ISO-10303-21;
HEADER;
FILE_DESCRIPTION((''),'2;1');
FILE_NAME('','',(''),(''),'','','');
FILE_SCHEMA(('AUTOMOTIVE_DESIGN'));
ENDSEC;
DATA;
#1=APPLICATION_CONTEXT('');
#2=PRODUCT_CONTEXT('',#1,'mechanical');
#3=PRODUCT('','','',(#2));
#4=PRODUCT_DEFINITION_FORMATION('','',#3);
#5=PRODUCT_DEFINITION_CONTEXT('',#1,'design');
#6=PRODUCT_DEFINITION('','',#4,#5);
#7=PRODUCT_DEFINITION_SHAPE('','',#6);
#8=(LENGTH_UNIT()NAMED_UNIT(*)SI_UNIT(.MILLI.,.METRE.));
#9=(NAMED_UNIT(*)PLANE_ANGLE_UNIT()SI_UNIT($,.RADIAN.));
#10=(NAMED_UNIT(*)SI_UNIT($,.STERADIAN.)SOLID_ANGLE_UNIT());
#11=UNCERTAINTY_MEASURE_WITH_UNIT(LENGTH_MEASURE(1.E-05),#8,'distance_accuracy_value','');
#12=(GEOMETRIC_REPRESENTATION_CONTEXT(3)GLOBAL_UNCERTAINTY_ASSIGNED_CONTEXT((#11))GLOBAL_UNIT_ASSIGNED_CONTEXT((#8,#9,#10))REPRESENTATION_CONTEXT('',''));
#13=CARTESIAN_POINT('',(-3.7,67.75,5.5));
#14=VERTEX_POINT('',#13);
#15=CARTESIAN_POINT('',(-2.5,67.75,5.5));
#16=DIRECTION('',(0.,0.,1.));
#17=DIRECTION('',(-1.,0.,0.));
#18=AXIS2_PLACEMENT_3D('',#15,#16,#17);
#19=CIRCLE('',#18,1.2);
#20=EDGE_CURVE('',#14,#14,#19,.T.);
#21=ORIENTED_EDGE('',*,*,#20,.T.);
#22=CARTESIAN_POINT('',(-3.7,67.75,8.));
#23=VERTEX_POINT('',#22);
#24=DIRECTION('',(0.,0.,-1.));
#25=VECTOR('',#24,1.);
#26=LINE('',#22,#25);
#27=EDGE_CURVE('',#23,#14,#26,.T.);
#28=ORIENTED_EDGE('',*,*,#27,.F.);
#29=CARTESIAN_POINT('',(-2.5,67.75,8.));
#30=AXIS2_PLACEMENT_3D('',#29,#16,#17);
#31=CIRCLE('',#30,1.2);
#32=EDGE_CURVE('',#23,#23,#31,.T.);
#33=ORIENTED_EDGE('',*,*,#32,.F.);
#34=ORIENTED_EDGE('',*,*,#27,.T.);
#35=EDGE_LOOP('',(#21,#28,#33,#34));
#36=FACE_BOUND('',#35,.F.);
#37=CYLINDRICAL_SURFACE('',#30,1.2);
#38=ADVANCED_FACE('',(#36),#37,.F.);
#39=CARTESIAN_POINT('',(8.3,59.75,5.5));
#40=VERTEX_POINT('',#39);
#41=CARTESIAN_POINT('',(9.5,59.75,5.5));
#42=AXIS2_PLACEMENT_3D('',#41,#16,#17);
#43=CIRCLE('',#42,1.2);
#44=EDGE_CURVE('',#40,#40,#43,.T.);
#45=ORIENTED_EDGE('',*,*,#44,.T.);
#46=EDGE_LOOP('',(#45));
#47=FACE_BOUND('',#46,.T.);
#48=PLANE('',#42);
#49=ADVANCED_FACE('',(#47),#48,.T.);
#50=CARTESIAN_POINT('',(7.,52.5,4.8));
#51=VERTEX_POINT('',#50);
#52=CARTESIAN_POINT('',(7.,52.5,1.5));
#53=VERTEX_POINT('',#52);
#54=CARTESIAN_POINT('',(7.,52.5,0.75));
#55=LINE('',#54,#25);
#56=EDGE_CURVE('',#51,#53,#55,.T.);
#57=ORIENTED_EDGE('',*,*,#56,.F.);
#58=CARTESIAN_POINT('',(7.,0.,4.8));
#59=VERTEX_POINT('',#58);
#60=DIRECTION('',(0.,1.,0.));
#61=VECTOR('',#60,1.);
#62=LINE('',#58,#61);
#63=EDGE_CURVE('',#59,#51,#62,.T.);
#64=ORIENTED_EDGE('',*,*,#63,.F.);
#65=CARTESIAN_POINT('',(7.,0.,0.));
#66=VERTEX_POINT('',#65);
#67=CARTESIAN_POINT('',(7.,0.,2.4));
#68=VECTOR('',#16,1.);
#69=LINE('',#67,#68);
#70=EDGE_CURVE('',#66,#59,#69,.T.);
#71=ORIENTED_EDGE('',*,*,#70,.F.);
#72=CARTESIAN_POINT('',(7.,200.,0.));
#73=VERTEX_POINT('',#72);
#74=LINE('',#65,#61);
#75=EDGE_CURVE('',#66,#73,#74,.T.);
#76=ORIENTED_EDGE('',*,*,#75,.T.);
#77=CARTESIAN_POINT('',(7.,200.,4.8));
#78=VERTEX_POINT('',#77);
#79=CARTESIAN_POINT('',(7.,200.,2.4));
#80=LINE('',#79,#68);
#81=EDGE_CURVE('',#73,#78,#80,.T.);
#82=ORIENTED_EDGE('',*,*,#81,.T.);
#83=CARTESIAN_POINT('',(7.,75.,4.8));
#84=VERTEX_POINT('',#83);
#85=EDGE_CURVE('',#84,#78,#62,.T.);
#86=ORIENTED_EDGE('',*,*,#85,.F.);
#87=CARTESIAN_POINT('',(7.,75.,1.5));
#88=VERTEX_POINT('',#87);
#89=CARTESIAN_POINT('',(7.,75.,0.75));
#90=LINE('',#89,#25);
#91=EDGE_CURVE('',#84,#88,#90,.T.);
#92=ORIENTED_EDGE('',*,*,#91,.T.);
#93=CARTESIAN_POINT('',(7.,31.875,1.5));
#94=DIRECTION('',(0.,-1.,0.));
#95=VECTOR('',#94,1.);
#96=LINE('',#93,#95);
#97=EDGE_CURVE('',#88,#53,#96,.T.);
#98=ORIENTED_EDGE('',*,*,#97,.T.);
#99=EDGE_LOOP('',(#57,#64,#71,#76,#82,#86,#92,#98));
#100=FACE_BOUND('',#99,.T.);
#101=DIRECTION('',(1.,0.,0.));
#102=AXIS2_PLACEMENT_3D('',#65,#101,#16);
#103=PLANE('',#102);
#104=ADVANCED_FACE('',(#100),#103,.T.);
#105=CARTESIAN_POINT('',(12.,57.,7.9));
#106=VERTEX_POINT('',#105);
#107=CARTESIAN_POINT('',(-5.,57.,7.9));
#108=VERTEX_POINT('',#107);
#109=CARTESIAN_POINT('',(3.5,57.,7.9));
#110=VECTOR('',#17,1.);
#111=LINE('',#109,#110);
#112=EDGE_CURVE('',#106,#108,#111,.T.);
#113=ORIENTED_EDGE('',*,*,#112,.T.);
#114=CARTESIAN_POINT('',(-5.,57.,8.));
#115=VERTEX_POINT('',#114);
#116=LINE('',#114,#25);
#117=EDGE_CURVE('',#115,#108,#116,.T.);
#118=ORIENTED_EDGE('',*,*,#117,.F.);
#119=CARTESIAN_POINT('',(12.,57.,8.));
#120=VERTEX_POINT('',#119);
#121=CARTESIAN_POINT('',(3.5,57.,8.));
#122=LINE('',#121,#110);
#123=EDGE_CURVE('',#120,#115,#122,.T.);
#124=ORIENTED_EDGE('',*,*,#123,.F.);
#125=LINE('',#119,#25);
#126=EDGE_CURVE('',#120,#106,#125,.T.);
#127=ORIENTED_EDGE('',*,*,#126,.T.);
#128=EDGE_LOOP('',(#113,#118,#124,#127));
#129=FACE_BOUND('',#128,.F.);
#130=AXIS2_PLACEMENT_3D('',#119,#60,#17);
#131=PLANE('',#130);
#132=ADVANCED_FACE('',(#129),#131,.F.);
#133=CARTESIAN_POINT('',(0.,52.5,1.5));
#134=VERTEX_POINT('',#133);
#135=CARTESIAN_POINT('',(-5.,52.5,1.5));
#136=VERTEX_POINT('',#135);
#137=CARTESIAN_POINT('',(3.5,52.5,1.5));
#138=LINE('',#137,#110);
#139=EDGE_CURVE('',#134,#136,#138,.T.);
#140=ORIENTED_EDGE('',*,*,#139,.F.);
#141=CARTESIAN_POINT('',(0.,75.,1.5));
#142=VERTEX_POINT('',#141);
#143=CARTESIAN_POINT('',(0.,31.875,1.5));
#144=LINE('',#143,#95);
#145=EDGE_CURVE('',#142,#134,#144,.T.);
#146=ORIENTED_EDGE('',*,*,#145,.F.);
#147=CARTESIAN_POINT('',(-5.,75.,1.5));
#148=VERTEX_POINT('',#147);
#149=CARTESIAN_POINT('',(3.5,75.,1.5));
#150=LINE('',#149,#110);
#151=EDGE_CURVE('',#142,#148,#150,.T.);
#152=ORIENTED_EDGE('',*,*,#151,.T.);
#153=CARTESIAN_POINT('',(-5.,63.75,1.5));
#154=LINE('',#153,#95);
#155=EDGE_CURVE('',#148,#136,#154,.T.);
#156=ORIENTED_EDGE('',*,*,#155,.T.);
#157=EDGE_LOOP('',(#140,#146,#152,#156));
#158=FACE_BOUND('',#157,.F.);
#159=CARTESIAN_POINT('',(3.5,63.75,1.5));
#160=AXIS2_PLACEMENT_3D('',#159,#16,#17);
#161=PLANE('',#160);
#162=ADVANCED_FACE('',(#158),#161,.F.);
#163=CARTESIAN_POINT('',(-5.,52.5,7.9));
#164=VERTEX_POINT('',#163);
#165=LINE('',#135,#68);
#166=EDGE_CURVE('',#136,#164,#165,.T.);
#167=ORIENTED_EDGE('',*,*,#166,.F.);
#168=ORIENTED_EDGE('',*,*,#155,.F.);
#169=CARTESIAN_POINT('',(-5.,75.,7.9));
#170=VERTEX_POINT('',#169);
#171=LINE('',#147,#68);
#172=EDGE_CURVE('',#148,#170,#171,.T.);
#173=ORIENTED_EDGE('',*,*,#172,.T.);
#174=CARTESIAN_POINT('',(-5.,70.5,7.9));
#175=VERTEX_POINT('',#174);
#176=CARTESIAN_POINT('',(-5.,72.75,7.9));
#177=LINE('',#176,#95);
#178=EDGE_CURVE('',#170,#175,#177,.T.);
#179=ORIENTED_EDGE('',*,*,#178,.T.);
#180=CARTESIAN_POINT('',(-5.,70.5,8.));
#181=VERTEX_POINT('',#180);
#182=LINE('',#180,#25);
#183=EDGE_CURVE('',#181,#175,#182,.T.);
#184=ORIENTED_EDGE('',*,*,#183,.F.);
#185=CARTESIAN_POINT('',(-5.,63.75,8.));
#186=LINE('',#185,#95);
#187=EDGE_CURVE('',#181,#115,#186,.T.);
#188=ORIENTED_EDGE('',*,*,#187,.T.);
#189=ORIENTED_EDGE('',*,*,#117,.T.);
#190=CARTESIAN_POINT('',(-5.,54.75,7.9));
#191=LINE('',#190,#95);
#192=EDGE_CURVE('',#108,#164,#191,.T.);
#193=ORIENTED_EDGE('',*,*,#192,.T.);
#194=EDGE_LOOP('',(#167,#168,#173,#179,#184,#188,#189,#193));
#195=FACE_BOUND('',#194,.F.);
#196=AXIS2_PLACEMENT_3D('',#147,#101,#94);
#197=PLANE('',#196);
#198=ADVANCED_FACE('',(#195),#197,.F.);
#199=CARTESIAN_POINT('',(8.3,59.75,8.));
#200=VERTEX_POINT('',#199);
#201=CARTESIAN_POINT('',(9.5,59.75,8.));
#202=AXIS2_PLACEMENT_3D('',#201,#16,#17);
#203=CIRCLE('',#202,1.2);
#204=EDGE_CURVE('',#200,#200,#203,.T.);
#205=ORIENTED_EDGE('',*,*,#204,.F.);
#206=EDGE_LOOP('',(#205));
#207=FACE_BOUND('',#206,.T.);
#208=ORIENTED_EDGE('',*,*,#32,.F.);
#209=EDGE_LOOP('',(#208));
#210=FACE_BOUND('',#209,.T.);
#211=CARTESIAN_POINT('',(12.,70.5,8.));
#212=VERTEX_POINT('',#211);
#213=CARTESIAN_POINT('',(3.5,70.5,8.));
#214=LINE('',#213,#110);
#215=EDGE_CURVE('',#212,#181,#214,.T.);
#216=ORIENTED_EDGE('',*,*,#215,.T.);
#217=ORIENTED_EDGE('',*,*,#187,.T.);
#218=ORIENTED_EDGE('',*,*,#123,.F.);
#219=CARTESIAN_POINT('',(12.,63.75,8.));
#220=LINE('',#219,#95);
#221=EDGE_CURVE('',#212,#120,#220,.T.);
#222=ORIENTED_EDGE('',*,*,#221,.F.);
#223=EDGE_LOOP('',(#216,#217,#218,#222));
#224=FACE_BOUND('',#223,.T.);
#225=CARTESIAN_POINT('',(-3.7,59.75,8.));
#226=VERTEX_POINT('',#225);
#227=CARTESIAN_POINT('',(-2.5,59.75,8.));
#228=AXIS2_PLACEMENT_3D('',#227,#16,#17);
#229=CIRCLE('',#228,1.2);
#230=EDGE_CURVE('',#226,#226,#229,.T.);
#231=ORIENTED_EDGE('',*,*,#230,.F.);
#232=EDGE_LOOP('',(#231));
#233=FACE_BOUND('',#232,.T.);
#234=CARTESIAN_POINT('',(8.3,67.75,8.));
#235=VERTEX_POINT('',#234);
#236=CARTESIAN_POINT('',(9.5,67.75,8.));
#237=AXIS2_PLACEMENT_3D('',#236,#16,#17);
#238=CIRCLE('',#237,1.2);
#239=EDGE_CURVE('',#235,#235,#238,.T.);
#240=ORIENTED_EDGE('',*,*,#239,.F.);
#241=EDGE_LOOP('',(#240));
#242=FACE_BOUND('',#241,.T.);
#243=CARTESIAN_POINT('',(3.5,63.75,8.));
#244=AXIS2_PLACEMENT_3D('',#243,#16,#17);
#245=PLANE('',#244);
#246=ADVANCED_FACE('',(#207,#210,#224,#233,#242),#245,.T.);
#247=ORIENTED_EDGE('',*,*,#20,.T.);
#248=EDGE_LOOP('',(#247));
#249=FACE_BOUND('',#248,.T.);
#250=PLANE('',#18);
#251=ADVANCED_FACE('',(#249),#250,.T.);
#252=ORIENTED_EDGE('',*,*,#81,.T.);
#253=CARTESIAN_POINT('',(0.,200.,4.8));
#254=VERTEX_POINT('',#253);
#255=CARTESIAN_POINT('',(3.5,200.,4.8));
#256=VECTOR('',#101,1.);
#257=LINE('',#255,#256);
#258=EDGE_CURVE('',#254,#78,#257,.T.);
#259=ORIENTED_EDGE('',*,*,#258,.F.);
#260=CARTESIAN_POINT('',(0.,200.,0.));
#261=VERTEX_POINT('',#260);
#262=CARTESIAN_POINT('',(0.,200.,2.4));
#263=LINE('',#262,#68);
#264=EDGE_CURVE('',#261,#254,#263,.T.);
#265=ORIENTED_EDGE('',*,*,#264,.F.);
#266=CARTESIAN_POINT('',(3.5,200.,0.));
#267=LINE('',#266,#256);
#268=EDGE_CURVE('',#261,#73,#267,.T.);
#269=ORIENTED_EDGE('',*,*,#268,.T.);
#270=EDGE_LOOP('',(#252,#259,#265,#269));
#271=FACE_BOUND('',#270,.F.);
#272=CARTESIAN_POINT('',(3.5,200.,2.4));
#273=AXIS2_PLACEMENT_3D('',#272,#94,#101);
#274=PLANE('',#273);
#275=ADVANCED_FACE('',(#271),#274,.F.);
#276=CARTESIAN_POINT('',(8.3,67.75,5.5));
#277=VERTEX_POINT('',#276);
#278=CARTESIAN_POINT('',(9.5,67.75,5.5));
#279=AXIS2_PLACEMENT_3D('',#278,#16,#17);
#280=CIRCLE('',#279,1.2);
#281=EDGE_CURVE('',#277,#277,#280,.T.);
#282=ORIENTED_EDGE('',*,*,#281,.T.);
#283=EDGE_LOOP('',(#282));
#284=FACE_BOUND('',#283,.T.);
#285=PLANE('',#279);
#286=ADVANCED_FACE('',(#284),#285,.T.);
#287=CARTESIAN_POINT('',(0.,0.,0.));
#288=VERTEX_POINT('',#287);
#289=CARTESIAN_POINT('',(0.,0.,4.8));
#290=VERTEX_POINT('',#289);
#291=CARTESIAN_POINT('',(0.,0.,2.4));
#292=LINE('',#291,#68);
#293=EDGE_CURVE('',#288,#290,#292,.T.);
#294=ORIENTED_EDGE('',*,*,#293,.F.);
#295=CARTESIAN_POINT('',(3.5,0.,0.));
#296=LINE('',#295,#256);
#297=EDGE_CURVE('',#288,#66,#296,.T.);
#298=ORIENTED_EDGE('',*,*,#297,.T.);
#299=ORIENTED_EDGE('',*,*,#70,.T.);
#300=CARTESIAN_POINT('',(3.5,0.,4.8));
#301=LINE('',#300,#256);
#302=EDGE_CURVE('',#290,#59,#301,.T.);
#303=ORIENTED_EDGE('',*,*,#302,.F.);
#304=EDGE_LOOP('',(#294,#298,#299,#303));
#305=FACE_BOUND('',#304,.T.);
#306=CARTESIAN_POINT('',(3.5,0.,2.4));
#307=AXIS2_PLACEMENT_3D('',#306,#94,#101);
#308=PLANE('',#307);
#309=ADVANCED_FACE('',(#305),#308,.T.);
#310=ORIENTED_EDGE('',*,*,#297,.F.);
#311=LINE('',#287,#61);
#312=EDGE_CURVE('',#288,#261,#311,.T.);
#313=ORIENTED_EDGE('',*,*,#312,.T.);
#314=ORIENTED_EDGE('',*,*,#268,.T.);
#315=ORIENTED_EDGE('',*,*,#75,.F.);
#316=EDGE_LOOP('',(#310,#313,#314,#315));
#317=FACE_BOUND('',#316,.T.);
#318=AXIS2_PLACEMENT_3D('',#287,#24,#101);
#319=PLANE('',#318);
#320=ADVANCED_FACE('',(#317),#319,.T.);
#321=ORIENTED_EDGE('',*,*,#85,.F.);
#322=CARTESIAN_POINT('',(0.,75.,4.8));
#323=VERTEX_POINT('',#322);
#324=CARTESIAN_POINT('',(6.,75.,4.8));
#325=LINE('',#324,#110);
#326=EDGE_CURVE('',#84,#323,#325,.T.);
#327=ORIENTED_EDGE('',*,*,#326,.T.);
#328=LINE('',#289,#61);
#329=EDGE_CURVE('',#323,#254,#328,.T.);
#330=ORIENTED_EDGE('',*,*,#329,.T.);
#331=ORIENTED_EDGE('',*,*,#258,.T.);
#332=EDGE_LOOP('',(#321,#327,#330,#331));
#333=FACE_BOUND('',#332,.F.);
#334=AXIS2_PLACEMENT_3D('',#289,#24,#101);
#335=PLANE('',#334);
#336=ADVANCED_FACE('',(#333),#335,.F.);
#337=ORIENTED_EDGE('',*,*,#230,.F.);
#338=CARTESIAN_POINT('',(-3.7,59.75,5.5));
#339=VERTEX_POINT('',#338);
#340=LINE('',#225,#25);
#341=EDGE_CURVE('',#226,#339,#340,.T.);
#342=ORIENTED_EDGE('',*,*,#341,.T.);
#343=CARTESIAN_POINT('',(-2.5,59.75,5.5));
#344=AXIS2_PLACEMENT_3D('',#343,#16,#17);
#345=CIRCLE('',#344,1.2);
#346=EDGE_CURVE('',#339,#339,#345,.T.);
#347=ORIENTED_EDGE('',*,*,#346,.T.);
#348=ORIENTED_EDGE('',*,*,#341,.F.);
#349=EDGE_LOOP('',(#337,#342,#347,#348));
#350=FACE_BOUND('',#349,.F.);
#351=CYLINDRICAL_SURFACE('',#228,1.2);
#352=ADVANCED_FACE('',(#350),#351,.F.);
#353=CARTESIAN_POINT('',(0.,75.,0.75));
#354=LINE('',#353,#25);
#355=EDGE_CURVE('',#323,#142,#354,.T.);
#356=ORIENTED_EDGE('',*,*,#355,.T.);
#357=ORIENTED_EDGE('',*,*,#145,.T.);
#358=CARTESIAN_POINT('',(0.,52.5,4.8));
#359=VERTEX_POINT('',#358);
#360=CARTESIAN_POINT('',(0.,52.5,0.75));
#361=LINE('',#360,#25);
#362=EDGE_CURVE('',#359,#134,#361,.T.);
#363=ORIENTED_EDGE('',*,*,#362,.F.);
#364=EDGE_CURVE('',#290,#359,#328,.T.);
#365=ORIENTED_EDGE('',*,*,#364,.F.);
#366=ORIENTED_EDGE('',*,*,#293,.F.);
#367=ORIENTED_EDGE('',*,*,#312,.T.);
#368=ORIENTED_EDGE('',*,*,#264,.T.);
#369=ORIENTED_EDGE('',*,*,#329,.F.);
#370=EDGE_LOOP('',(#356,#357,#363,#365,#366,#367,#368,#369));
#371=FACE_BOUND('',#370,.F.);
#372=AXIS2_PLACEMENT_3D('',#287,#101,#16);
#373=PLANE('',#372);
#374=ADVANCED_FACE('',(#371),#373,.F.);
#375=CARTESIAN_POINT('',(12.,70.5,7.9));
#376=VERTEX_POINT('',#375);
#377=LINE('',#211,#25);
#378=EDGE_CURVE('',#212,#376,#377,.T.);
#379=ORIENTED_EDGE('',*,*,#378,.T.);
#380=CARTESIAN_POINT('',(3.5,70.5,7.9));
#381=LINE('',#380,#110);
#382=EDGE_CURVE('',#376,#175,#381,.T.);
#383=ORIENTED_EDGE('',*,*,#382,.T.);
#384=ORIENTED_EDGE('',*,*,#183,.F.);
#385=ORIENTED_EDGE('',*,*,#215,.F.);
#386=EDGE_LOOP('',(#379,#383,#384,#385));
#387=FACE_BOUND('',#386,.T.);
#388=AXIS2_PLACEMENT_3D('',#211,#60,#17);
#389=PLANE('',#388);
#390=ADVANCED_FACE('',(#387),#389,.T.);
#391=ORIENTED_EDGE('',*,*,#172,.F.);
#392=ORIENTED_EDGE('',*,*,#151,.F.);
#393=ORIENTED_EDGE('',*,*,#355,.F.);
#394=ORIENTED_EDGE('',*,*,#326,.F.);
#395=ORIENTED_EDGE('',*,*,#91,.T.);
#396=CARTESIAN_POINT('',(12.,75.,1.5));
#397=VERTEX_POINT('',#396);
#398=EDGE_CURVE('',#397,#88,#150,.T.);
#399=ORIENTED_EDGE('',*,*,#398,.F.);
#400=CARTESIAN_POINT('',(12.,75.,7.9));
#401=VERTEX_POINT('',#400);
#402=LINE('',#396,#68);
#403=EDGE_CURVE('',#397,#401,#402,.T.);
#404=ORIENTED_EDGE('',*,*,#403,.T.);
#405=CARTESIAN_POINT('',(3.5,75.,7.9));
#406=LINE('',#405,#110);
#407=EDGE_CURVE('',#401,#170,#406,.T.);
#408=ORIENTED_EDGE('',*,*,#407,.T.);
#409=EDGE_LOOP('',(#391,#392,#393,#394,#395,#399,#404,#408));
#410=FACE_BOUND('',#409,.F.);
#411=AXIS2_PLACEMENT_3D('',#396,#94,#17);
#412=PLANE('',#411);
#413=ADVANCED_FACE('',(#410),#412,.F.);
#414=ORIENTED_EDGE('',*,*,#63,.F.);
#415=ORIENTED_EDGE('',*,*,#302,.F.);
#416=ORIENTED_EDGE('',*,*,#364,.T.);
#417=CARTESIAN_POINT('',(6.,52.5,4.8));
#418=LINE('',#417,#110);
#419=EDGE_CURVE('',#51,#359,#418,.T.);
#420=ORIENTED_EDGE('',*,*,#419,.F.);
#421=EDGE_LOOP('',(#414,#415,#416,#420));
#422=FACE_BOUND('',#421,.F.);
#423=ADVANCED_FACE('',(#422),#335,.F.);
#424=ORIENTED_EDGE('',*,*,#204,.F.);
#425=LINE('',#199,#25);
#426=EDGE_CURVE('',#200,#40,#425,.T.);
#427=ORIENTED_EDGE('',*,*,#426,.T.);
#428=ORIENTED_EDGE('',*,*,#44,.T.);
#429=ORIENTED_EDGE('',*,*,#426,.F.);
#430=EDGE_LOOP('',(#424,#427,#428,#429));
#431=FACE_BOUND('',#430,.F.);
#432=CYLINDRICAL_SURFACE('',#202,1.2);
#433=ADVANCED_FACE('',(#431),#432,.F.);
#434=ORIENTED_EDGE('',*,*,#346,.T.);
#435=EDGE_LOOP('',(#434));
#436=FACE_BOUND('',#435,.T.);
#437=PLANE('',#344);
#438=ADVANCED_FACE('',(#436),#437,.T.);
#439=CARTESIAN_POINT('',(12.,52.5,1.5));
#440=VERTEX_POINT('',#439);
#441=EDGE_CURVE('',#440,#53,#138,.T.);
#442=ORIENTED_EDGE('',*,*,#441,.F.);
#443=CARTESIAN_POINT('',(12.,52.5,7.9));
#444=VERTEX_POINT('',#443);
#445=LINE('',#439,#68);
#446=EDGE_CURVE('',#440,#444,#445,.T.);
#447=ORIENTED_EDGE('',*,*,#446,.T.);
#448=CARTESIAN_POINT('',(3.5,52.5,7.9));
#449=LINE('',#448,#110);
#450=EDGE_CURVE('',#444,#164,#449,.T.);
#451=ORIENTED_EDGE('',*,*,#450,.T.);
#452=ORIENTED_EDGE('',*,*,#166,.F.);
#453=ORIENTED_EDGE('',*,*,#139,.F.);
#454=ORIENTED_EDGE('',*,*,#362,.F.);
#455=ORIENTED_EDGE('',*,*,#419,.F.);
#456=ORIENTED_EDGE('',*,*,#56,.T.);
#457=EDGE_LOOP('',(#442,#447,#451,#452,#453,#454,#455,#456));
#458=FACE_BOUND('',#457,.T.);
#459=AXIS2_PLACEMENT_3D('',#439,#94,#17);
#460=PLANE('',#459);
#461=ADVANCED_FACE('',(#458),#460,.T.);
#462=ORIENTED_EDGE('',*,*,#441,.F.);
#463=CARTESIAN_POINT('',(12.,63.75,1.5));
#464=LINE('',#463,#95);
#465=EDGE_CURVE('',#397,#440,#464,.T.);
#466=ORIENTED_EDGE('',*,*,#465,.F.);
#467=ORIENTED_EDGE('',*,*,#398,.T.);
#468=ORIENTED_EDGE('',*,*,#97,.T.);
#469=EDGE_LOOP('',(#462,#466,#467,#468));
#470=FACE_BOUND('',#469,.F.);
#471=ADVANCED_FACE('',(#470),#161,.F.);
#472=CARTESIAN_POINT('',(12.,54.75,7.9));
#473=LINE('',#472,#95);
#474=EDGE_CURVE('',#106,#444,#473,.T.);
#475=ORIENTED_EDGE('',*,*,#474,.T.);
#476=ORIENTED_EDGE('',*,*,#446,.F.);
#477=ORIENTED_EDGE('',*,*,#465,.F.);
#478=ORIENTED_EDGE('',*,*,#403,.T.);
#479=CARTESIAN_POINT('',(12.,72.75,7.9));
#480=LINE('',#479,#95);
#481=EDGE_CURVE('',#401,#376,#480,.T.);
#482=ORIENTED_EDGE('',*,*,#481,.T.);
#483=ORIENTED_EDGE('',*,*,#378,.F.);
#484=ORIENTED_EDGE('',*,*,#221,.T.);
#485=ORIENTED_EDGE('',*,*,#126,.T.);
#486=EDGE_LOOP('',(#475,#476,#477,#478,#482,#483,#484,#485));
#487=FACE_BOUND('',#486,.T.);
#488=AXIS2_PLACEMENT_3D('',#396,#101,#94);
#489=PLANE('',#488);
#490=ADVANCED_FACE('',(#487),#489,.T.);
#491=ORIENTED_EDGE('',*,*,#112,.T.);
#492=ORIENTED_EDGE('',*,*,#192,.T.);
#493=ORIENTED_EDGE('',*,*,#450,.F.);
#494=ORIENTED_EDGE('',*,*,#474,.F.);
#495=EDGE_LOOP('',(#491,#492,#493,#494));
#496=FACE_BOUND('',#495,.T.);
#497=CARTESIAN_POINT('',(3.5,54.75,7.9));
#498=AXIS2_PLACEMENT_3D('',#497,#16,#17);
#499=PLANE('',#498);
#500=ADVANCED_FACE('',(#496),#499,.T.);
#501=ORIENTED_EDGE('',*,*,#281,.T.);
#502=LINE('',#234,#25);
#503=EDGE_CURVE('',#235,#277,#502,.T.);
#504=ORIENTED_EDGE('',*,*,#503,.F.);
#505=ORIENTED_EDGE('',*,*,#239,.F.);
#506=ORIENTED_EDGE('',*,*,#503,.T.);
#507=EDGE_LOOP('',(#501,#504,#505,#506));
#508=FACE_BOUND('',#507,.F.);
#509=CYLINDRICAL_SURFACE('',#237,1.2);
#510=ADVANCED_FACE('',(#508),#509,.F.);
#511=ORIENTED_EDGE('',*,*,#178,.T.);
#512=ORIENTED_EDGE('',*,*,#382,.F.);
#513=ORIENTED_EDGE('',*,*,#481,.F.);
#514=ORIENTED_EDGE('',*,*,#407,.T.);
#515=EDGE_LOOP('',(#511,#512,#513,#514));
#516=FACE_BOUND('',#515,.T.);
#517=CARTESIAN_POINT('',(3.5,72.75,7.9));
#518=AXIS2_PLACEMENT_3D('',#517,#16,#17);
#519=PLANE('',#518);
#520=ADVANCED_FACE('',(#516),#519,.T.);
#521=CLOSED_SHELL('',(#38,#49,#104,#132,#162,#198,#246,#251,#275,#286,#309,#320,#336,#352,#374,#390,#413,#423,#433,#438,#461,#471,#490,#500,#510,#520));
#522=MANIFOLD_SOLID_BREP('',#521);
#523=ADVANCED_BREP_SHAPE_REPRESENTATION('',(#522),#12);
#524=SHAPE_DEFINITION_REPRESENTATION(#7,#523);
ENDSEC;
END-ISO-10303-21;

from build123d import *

# Parameters (mm, degrees)
SKETCH014_W     = 7
SKETCH014_H     = 4.8
PAD004_DEPTH    = 200
SKETCH015_W     = 17
SKETCH015_H     = 22.5
PAD005_DEPTH    = 6.5
SKETCH016_W     = 17
SKETCH016_H     = 4.5
POCKET010_DEPTH = 0.1
SKETCH017_R     = 1.2
POCKET011_DEPTH = 2.5


with BuildPart() as part:
    # Sketch014 → Pad004 (new body)
    with BuildSketch(Plane.XZ):
        with Locations((3.5, 2.4)):
            Rectangle(SKETCH014_W, SKETCH014_H)
    extrude(amount=-PAD004_DEPTH)

    # Sketch015 (on Face1 of Pad004) → Pad005 (join)
    with BuildSketch(Plane(origin=(0, 0, 1.5), x_dir=(-1, 0, 0), z_dir=(0, 0, 1))):
        with Locations((-3.5, -63.75)):
            Rectangle(SKETCH015_W, SKETCH015_H)
    extrude(amount=PAD005_DEPTH)

    # Sketch016 (on Face13 of Pad005) → Pocket010 (cut)
    with BuildSketch(Plane(origin=(0, 0, 8), x_dir=(-1, 0, 0), z_dir=(0, 0, 1))):
        with Locations((-3.5, -54.75)):
            Rectangle(SKETCH016_W, SKETCH016_H)
        with Locations((-3.5, -72.75)):
            Rectangle(SKETCH016_W, SKETCH016_H)
    extrude(amount=-POCKET010_DEPTH, mode=Mode.SUBTRACT)

    # Sketch017 (on Face17 of Pocket010) → Pocket011 (cut)
    with BuildSketch(Plane(origin=(0, 0, 8), x_dir=(-1, 0, 0), z_dir=(0, 0, 1))):
        with Locations((-9.5, -59.75)):
            Circle(SKETCH017_R)
        with Locations((2.5, -59.75)):
            Circle(SKETCH017_R)
        with Locations((2.5, -67.75)):
            Circle(SKETCH017_R)
        with Locations((-9.5, -67.75)):
            Circle(SKETCH017_R)
    extrude(amount=-POCKET011_DEPTH, mode=Mode.SUBTRACT)


solid = part.part
